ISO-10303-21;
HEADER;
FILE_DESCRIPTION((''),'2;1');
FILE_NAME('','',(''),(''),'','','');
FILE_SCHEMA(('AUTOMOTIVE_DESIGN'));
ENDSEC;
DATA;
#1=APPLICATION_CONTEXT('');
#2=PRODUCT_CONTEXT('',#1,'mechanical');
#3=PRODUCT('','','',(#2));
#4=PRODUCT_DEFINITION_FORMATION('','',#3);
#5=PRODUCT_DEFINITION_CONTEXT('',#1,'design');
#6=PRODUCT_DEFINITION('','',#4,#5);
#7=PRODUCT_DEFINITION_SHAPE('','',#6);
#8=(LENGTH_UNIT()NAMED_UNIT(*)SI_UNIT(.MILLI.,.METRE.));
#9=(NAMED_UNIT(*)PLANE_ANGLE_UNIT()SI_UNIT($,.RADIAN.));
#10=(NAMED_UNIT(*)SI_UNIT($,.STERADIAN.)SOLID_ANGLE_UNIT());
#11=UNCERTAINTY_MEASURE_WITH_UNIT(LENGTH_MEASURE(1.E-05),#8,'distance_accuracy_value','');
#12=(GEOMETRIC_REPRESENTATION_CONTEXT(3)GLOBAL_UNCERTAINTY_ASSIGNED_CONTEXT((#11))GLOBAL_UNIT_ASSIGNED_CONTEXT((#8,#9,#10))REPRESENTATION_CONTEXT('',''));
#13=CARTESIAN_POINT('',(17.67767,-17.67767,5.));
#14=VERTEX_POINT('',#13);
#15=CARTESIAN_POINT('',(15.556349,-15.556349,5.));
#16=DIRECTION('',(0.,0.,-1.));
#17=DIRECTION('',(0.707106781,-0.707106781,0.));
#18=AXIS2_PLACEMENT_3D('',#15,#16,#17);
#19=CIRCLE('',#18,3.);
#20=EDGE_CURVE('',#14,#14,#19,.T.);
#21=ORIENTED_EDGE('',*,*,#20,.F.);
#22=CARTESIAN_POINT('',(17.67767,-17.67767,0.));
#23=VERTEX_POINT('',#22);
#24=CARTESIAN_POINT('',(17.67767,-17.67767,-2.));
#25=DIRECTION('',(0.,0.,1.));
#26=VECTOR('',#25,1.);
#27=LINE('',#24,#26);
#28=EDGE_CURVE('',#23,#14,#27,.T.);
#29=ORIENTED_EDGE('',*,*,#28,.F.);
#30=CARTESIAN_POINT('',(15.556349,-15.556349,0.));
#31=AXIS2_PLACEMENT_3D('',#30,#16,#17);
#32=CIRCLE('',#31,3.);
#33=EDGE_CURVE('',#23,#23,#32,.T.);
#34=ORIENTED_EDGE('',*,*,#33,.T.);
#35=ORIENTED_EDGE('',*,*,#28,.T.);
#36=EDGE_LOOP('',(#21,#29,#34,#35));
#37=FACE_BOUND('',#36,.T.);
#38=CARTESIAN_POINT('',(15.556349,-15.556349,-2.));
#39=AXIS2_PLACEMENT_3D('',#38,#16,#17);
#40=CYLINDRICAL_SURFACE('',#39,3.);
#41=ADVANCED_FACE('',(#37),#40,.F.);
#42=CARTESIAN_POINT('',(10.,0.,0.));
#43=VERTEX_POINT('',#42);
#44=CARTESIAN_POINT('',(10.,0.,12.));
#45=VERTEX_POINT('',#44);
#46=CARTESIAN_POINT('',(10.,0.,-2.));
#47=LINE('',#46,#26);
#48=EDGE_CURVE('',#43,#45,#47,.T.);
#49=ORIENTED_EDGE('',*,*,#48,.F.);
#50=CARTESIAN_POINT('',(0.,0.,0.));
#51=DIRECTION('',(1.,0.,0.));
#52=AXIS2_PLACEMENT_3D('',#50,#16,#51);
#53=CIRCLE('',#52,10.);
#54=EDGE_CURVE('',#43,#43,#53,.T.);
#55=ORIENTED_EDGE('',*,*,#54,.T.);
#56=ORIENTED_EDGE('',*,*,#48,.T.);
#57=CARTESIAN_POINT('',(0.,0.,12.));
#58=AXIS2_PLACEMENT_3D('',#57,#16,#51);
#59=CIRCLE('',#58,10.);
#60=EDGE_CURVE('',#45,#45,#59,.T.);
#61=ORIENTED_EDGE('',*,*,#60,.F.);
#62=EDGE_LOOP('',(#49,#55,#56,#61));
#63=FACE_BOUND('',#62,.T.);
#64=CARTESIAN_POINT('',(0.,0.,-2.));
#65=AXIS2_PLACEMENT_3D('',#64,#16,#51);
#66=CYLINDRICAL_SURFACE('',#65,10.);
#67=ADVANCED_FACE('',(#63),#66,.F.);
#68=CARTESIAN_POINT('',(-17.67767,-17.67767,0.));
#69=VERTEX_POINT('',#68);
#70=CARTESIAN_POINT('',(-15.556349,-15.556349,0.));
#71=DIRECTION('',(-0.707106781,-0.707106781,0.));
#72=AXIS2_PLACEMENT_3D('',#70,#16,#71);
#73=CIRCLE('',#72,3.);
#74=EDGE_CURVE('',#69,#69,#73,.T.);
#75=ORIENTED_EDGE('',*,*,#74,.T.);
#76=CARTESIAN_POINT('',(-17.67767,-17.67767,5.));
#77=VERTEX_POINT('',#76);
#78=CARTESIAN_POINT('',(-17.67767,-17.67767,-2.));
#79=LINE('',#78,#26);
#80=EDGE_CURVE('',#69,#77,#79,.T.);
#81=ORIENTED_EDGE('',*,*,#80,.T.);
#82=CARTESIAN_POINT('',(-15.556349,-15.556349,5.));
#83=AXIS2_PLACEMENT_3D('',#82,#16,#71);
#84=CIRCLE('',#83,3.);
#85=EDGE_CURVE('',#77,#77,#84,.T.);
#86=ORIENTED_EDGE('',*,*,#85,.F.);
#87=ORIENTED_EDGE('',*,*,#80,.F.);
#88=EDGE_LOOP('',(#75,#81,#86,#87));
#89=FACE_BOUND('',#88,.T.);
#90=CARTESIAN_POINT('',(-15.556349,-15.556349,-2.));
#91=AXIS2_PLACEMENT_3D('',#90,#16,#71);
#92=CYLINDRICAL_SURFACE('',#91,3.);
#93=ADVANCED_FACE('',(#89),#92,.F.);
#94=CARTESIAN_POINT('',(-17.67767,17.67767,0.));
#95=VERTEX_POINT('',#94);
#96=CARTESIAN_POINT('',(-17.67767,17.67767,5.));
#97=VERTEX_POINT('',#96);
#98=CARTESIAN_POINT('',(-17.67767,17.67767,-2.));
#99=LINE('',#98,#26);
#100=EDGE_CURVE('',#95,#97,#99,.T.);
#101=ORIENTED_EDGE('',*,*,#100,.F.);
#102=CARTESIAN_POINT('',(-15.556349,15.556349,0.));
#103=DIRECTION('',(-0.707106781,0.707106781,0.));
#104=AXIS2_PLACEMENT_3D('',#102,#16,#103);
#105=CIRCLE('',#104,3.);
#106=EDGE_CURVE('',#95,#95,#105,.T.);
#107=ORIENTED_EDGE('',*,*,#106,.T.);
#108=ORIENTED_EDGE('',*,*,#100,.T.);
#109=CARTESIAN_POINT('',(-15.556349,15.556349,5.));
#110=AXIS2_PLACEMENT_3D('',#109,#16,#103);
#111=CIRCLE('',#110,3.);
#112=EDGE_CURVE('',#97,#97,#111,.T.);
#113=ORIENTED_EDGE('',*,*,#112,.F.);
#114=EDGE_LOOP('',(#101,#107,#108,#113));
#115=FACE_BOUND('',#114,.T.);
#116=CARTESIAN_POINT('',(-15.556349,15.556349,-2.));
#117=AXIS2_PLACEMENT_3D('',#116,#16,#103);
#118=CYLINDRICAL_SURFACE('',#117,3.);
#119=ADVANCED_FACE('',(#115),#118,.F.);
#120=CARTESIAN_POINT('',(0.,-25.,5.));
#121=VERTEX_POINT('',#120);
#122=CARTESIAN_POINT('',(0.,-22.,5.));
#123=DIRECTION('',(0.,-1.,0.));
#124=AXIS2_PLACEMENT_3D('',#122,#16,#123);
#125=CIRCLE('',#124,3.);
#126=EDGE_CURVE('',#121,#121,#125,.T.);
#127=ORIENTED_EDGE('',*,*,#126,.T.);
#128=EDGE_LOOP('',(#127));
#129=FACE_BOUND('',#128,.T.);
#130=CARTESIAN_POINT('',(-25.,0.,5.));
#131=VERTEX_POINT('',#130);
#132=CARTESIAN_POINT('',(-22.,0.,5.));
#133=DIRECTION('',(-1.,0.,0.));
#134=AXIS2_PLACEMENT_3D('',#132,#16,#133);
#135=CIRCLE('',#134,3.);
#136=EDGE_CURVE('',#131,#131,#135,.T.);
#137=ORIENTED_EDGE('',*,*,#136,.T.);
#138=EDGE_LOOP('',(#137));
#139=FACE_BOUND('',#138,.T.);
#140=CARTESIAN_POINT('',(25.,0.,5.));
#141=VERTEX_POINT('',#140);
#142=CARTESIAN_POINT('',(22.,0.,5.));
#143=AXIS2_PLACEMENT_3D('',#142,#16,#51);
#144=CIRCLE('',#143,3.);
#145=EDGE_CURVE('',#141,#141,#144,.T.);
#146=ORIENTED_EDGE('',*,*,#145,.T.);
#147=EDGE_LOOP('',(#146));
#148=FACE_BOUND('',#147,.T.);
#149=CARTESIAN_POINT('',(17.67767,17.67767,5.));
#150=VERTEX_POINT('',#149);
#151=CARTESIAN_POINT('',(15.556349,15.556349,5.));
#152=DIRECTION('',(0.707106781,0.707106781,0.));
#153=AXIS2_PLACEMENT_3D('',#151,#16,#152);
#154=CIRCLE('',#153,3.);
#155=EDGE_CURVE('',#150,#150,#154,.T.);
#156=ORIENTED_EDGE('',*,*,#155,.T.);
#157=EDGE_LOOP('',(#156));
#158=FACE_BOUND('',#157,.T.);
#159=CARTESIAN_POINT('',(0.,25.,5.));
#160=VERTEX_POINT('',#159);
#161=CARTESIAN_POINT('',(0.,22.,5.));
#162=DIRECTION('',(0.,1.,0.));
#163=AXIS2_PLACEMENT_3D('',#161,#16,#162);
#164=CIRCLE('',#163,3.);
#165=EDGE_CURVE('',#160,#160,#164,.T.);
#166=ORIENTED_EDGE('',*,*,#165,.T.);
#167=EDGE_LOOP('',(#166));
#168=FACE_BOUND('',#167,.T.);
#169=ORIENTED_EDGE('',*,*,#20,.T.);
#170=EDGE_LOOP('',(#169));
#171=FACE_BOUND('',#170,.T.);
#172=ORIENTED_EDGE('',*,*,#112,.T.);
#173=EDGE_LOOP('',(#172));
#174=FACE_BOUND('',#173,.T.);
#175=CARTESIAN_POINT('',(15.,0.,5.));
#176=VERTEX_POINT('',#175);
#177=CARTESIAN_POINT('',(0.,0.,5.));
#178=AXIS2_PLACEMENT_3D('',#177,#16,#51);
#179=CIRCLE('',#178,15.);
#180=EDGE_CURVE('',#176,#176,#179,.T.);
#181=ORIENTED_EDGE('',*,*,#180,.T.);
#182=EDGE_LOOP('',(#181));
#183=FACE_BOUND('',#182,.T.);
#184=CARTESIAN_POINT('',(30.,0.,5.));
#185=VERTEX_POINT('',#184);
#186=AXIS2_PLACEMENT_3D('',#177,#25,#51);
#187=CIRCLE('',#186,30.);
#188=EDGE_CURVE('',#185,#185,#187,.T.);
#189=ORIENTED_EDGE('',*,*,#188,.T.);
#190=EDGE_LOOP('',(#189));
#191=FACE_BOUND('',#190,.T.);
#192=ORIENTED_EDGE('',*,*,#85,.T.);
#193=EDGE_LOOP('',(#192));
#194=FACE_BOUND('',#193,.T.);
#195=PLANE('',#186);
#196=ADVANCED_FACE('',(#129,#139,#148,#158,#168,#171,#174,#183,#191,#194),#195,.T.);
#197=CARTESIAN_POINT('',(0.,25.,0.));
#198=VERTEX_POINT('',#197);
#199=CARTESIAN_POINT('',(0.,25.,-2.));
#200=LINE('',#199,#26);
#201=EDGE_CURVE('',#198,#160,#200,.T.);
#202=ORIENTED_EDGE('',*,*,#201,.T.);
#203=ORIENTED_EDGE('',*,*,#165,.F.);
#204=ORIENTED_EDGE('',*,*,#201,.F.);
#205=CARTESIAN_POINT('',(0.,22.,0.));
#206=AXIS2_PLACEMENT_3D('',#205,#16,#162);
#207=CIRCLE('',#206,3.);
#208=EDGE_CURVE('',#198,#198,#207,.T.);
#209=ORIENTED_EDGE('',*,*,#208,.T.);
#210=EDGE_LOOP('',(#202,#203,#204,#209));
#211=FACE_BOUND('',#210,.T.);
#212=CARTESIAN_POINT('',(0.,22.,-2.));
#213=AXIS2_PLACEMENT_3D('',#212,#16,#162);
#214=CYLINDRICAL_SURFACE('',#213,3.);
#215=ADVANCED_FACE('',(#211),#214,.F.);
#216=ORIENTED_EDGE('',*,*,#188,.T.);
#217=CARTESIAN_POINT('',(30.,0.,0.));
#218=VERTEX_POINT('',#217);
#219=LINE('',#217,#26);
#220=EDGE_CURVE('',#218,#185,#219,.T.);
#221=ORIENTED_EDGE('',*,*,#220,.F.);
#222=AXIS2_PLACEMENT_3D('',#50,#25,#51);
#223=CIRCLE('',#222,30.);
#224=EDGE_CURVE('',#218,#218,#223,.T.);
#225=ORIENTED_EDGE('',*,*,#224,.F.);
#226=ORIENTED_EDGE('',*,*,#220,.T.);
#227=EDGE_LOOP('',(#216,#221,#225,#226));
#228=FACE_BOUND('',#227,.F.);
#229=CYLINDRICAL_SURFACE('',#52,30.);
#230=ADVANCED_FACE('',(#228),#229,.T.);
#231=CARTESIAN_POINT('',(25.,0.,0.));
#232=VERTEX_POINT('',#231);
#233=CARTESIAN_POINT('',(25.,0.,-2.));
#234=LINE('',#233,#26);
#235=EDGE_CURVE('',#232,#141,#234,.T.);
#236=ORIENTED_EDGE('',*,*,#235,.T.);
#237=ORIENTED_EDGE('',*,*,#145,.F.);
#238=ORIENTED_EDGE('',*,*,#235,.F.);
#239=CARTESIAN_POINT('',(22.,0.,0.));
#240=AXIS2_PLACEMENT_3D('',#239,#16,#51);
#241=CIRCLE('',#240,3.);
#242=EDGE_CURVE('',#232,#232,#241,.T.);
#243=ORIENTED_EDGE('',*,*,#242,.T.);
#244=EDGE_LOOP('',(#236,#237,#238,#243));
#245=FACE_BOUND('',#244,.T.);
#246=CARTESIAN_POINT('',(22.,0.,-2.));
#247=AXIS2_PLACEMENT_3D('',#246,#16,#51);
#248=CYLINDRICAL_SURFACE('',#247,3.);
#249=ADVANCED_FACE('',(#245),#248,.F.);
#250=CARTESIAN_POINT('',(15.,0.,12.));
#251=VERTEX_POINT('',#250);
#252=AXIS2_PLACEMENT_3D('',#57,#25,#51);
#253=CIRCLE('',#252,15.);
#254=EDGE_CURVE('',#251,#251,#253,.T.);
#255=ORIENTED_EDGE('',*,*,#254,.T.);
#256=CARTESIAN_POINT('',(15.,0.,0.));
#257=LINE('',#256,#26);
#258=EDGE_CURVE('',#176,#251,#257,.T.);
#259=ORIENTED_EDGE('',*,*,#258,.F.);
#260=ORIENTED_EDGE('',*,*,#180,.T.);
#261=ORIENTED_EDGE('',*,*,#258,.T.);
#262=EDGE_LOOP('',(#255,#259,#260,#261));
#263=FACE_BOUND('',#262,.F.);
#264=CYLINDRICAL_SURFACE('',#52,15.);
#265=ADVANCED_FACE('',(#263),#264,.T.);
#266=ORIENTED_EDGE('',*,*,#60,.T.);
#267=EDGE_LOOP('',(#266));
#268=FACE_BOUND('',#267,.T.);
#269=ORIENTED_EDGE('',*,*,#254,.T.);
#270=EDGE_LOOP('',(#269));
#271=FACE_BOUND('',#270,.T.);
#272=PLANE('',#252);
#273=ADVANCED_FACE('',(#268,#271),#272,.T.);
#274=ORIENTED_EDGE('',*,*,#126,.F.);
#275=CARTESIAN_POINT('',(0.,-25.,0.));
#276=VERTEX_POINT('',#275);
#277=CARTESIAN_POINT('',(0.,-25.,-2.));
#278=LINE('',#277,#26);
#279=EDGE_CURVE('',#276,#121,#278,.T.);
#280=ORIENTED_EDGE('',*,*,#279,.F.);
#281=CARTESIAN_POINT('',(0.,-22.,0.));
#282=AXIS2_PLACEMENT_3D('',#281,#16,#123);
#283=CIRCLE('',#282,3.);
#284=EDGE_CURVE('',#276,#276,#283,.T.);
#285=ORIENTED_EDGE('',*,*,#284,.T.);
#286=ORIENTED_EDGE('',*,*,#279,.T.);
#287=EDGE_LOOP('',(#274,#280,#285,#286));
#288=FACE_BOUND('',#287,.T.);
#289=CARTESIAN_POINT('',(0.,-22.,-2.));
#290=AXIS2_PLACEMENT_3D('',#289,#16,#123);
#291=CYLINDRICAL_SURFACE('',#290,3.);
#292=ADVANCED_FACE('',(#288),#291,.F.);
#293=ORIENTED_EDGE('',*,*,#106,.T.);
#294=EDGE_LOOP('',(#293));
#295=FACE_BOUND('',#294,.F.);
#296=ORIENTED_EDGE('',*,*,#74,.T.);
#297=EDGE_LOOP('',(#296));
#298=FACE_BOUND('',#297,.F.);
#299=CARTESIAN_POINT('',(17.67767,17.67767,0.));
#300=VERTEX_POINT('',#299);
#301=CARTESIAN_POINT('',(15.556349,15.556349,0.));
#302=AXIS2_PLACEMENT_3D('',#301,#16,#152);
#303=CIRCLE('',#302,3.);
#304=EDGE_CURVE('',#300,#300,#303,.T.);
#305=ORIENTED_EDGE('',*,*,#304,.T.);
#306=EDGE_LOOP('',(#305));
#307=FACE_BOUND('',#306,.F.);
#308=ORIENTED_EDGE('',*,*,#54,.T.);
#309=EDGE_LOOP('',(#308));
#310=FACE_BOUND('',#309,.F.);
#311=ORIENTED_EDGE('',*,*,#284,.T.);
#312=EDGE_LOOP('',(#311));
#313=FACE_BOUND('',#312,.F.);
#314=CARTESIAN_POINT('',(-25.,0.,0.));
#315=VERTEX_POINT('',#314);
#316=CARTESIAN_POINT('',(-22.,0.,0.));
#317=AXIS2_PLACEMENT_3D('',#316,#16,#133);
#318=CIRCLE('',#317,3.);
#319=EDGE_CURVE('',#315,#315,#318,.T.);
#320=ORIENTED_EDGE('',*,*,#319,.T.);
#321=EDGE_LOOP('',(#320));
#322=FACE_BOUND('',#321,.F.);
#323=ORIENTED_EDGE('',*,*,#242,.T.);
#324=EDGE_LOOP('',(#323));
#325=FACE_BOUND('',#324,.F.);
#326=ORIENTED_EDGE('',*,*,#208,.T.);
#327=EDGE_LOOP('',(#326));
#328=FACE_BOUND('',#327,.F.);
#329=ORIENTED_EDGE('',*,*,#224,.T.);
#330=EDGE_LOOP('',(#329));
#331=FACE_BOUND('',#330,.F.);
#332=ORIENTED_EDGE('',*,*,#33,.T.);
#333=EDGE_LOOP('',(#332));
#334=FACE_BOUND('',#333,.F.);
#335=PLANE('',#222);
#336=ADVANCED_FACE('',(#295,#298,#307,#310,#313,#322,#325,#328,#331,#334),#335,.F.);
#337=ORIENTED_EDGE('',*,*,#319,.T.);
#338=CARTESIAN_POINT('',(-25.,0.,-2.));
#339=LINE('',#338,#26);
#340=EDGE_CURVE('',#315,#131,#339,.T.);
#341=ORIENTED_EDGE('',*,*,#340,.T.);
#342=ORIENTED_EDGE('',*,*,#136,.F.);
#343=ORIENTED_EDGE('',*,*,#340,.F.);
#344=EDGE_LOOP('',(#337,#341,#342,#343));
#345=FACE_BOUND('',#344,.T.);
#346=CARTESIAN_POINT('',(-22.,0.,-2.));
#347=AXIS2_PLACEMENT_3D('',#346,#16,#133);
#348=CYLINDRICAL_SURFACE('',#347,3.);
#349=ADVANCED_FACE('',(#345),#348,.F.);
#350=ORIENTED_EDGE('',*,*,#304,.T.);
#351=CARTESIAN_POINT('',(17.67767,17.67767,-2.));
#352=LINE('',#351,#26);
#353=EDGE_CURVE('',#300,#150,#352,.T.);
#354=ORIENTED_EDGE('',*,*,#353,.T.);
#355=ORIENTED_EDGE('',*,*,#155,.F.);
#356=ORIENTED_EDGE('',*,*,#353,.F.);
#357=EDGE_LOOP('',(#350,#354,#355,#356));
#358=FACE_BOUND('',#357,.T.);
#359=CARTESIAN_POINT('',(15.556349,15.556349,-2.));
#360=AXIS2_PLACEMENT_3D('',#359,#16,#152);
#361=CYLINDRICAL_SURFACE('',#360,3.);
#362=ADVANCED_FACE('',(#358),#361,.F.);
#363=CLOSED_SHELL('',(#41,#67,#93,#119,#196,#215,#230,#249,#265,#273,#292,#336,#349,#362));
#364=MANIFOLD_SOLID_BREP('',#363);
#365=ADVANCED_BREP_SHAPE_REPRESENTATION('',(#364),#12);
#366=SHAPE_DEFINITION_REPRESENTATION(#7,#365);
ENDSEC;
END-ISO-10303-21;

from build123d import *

# Parameters (mm, degrees)
CYLINDER003_R     = 3
CYLINDER003_DEPTH = 10
ARRAY_COUNT       = 8
CYLINDER002_R     = 10
CYLINDER002_DEPTH = 30
CYLINDER001_R     = 15
CYLINDER001_DEPTH = 12
CYLINDER_R        = 30
CYLINDER_DEPTH    = 5


with BuildPart() as array:
    # Cylinder003 → Cylinder003 (new body)
    with BuildSketch(Plane(origin=(22, 0, -2), x_dir=(1, 0, 0), z_dir=(0, 0, 1))):
        Circle(CYLINDER003_R)
    extrude(amount=CYLINDER003_DEPTH)

    # Array: Array ×8 about axis
    array_axis = Axis((0, 0, 0), (0, 0, 1))


with BuildPart() as array_1:
    add(array.part)
    for i in range(1, ARRAY_COUNT):
        add(array.part.rotate(array_axis, i * 360 / ARRAY_COUNT))


with BuildPart() as cilindro:
    # Cylinder002 → Cylinder002 (new body)
    with BuildSketch(Plane.XY.offset(-2)):
        Circle(CYLINDER002_R)
    extrude(amount=CYLINDER002_DEPTH)


with BuildPart() as tubo_exterior:
    # Cylinder001 → Cylinder001 (new body)
    with BuildSketch(Plane.XY):
        Circle(CYLINDER001_R)
    extrude(amount=CYLINDER001_DEPTH)


with BuildPart() as cut001:
    # Cylinder → Cylinder (new body)
    with BuildSketch(Plane.XY):
        Circle(CYLINDER_R)
    extrude(amount=CYLINDER_DEPTH)

    # Fusion: union tubo exterior
    add(tubo_exterior.part)

    # Cut: cut Cilindro
    add(cilindro.part, mode=Mode.SUBTRACT)

    # Cut001: cut Array
    add(array_1.part, mode=Mode.SUBTRACT)


solid = cut001.part
